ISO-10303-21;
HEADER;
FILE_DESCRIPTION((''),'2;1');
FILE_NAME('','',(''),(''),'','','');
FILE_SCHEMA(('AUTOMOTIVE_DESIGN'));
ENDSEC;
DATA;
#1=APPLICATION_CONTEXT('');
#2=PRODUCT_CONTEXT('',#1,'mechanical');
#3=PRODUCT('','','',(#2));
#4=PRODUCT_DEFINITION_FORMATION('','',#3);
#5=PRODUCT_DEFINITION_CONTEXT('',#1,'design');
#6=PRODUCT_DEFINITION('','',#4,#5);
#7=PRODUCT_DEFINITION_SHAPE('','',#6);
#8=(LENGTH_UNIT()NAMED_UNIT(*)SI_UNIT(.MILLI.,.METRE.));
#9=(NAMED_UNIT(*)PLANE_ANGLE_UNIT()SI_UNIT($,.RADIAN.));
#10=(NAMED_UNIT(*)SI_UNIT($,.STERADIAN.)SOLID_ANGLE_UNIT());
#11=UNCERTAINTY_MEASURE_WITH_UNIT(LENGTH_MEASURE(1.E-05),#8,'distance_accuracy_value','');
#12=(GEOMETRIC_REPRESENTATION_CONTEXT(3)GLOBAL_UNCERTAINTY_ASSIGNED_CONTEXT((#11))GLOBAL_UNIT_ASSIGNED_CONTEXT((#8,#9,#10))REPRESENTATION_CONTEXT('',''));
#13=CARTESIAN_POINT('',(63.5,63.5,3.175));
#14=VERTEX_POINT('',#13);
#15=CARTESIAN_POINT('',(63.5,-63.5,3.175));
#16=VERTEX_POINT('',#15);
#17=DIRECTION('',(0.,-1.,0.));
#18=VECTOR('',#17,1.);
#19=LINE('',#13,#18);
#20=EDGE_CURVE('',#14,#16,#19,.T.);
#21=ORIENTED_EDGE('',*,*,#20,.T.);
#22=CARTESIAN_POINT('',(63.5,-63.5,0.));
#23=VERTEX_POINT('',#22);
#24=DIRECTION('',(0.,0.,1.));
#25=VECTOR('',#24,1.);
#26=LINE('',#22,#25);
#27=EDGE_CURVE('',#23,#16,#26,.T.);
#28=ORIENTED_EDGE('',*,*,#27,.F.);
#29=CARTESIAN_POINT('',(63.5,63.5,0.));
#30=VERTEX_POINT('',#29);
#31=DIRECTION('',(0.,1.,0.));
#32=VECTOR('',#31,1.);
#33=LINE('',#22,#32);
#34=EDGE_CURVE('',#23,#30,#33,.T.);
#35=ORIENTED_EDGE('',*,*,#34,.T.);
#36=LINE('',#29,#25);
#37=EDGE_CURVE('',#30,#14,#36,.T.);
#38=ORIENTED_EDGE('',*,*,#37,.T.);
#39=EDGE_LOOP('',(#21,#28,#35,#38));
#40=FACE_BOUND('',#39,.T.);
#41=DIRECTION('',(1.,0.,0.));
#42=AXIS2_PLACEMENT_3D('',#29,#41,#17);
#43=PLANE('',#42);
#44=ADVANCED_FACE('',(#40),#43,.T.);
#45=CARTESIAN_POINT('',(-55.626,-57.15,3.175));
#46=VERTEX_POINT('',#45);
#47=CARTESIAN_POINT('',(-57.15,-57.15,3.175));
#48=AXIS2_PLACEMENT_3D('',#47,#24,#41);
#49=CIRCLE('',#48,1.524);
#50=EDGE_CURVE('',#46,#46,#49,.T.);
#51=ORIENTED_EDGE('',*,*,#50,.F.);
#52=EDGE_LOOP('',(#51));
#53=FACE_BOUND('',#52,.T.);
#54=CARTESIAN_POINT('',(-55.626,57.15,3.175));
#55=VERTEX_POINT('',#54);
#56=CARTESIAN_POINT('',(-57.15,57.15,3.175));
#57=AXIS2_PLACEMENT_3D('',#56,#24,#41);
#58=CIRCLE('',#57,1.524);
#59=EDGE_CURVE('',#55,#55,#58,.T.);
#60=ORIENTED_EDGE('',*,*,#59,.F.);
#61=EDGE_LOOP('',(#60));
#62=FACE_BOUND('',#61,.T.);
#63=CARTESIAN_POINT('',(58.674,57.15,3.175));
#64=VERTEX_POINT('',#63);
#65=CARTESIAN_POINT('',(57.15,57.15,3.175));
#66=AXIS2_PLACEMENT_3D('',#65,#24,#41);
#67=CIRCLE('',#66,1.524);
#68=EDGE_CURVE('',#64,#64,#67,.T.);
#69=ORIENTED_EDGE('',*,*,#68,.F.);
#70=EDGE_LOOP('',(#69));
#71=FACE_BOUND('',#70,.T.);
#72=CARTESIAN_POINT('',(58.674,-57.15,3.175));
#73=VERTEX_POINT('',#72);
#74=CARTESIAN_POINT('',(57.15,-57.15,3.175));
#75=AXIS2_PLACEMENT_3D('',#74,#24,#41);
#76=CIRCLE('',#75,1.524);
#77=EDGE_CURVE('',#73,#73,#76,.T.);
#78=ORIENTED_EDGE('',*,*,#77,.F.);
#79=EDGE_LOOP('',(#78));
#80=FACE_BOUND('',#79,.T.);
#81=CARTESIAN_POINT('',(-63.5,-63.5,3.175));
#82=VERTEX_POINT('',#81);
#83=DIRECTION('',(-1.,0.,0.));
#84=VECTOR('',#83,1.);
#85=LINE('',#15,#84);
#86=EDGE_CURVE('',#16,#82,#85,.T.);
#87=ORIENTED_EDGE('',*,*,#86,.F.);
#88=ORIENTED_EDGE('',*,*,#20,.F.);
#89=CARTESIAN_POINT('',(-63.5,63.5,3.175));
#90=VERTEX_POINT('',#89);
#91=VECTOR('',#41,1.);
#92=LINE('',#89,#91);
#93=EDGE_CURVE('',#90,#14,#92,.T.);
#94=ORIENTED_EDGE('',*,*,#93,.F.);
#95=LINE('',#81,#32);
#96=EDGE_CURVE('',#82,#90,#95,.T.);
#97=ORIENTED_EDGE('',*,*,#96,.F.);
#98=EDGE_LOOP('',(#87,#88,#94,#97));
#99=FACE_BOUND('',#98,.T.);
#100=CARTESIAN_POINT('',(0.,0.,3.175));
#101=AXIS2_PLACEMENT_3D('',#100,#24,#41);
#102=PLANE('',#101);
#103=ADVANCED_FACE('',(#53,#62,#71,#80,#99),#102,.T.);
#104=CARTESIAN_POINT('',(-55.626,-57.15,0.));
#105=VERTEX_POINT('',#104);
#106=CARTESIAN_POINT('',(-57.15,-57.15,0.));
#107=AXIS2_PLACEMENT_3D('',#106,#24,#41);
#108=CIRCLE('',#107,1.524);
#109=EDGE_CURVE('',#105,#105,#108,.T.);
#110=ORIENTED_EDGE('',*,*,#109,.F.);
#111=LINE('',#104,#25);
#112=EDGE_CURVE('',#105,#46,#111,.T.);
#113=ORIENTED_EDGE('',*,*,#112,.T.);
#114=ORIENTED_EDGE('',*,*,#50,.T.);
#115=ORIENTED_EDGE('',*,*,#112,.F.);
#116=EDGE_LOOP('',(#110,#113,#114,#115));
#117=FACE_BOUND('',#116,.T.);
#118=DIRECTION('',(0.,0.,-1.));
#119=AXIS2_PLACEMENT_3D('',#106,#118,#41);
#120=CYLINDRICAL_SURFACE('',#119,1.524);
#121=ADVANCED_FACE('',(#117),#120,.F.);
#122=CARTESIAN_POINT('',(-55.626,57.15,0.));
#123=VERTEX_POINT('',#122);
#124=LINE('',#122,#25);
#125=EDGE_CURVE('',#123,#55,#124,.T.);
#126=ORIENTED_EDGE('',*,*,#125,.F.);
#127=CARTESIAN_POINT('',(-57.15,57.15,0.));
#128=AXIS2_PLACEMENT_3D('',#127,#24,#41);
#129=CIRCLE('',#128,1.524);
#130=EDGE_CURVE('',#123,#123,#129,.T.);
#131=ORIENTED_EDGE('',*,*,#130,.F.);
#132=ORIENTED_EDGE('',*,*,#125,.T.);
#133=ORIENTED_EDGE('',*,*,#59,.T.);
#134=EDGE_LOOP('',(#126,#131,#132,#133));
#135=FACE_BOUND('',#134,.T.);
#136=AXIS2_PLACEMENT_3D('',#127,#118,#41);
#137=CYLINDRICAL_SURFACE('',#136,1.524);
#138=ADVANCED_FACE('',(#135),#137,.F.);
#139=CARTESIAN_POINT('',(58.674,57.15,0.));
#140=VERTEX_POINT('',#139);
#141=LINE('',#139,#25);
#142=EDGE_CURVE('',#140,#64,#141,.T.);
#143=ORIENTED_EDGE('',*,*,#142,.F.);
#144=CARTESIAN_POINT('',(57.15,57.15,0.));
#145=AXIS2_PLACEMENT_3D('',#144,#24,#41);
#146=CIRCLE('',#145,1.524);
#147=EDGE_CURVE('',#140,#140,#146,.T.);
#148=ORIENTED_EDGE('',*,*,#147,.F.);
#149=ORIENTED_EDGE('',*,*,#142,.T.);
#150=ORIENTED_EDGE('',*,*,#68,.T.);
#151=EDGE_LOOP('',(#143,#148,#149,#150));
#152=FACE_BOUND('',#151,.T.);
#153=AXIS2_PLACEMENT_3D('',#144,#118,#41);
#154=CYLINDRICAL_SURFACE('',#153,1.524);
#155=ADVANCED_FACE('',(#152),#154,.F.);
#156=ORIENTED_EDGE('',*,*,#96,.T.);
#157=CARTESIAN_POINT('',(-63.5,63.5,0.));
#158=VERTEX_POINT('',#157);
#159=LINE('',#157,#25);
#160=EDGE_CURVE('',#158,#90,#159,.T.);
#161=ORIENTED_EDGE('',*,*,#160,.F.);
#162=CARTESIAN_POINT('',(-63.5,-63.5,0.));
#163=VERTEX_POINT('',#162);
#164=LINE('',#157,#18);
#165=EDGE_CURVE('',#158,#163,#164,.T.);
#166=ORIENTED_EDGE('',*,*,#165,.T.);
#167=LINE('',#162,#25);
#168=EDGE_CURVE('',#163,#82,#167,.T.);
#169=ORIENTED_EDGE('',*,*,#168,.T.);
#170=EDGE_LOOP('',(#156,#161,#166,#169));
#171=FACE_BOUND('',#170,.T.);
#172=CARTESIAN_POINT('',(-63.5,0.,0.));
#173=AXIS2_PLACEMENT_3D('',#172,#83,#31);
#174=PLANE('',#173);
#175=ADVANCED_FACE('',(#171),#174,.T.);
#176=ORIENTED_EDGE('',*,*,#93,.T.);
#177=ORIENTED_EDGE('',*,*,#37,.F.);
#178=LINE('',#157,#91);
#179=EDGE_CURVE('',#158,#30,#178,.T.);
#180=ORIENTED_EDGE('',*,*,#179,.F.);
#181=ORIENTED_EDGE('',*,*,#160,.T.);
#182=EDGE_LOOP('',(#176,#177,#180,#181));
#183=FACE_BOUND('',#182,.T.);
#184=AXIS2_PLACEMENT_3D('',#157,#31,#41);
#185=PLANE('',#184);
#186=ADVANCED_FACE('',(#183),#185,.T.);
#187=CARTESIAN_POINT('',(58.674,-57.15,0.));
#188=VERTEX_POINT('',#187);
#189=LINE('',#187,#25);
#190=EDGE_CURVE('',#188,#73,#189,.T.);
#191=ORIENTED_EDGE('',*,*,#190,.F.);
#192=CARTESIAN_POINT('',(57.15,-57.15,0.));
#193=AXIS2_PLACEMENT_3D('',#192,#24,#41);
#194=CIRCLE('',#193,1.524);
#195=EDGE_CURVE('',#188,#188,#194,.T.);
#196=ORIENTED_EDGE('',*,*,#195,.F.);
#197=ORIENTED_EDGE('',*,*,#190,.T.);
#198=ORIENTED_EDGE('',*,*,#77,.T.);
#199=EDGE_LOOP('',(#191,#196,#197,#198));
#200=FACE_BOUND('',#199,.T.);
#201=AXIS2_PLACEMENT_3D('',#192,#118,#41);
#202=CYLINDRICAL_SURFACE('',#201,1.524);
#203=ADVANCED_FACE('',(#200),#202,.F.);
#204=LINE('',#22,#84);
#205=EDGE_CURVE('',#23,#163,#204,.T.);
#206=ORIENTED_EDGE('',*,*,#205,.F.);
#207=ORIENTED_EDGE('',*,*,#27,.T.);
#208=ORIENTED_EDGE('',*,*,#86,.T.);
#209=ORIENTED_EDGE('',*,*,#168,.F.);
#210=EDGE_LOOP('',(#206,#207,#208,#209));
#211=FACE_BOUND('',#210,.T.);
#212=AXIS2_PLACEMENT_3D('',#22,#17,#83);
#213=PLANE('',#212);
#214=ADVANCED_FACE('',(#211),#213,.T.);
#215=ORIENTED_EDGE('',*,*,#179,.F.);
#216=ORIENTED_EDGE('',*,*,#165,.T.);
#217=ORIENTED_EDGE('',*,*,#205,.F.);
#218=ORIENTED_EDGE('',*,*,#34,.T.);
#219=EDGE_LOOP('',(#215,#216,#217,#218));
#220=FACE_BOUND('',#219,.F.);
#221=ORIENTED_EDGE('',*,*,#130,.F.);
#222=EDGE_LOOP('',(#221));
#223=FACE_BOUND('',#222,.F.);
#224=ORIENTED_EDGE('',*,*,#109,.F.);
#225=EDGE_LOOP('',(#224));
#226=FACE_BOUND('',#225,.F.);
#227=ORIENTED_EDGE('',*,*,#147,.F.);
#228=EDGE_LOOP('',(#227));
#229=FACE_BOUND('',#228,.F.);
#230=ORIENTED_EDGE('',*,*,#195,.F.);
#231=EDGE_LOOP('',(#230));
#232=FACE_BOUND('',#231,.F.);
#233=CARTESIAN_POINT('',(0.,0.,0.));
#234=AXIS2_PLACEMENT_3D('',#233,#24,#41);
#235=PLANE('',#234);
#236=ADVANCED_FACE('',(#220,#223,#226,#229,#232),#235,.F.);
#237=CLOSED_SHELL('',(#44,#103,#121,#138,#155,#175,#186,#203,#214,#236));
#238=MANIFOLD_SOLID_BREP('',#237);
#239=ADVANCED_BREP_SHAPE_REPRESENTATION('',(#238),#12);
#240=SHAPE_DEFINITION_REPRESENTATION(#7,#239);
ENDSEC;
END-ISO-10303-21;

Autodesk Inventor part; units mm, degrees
ref_plane "YZ Plane" through (0, 0, 0) normal (1, 0, 0) x (0, 1, 0)
ref_plane "XZ Plane" through (0, 0, 0) normal (0, 1, 0) x (-1, 0, 0)
ref_plane "XY Plane" through (0, 0, 0) normal (0, 0, 1) x (1, 0, 0)
sketch "Sketch1" plane through (0, 0, 0) normal (0, 0, 1) x (1, 0, 0)
  line L0 (-63.5, 63.5) -> (63.5, 63.5)
  line L1 (63.5, 63.5) -> (63.5, -63.5)
  line L2 (63.5, -63.5) -> (-63.5, -63.5)
  line L3 (-63.5, -63.5) -> (-63.5, 63.5)
  circle A0 centre (-57.15, 57.15) radius 1.524
  circle A1 centre (57.15, 57.15) radius 1.524
  line L4 (63.5, 0) -> (-63.5, 0)
  circle A2 centre (-57.15, -57.15) radius 1.524
  circle A3 centre (57.15, -57.15) radius 1.524
  point P0 (0, 0)
  point P1 (0, 63.5)
  dimension "d0" = 127
  dimension "d1" = 127
  dimension "d2" = 127
  dimension "d3" = 3.048
  dimension "d4" = 3.048
  dimension "d5" = 6.35
  dimension "d6" = 6.35
  dimension "d7" = 6.35
  dimension "d8" = 6.35
extrude "Extrusion1" add sketch "Sketch1" along normal blind 3.175
properties part number "hank - base 1"
